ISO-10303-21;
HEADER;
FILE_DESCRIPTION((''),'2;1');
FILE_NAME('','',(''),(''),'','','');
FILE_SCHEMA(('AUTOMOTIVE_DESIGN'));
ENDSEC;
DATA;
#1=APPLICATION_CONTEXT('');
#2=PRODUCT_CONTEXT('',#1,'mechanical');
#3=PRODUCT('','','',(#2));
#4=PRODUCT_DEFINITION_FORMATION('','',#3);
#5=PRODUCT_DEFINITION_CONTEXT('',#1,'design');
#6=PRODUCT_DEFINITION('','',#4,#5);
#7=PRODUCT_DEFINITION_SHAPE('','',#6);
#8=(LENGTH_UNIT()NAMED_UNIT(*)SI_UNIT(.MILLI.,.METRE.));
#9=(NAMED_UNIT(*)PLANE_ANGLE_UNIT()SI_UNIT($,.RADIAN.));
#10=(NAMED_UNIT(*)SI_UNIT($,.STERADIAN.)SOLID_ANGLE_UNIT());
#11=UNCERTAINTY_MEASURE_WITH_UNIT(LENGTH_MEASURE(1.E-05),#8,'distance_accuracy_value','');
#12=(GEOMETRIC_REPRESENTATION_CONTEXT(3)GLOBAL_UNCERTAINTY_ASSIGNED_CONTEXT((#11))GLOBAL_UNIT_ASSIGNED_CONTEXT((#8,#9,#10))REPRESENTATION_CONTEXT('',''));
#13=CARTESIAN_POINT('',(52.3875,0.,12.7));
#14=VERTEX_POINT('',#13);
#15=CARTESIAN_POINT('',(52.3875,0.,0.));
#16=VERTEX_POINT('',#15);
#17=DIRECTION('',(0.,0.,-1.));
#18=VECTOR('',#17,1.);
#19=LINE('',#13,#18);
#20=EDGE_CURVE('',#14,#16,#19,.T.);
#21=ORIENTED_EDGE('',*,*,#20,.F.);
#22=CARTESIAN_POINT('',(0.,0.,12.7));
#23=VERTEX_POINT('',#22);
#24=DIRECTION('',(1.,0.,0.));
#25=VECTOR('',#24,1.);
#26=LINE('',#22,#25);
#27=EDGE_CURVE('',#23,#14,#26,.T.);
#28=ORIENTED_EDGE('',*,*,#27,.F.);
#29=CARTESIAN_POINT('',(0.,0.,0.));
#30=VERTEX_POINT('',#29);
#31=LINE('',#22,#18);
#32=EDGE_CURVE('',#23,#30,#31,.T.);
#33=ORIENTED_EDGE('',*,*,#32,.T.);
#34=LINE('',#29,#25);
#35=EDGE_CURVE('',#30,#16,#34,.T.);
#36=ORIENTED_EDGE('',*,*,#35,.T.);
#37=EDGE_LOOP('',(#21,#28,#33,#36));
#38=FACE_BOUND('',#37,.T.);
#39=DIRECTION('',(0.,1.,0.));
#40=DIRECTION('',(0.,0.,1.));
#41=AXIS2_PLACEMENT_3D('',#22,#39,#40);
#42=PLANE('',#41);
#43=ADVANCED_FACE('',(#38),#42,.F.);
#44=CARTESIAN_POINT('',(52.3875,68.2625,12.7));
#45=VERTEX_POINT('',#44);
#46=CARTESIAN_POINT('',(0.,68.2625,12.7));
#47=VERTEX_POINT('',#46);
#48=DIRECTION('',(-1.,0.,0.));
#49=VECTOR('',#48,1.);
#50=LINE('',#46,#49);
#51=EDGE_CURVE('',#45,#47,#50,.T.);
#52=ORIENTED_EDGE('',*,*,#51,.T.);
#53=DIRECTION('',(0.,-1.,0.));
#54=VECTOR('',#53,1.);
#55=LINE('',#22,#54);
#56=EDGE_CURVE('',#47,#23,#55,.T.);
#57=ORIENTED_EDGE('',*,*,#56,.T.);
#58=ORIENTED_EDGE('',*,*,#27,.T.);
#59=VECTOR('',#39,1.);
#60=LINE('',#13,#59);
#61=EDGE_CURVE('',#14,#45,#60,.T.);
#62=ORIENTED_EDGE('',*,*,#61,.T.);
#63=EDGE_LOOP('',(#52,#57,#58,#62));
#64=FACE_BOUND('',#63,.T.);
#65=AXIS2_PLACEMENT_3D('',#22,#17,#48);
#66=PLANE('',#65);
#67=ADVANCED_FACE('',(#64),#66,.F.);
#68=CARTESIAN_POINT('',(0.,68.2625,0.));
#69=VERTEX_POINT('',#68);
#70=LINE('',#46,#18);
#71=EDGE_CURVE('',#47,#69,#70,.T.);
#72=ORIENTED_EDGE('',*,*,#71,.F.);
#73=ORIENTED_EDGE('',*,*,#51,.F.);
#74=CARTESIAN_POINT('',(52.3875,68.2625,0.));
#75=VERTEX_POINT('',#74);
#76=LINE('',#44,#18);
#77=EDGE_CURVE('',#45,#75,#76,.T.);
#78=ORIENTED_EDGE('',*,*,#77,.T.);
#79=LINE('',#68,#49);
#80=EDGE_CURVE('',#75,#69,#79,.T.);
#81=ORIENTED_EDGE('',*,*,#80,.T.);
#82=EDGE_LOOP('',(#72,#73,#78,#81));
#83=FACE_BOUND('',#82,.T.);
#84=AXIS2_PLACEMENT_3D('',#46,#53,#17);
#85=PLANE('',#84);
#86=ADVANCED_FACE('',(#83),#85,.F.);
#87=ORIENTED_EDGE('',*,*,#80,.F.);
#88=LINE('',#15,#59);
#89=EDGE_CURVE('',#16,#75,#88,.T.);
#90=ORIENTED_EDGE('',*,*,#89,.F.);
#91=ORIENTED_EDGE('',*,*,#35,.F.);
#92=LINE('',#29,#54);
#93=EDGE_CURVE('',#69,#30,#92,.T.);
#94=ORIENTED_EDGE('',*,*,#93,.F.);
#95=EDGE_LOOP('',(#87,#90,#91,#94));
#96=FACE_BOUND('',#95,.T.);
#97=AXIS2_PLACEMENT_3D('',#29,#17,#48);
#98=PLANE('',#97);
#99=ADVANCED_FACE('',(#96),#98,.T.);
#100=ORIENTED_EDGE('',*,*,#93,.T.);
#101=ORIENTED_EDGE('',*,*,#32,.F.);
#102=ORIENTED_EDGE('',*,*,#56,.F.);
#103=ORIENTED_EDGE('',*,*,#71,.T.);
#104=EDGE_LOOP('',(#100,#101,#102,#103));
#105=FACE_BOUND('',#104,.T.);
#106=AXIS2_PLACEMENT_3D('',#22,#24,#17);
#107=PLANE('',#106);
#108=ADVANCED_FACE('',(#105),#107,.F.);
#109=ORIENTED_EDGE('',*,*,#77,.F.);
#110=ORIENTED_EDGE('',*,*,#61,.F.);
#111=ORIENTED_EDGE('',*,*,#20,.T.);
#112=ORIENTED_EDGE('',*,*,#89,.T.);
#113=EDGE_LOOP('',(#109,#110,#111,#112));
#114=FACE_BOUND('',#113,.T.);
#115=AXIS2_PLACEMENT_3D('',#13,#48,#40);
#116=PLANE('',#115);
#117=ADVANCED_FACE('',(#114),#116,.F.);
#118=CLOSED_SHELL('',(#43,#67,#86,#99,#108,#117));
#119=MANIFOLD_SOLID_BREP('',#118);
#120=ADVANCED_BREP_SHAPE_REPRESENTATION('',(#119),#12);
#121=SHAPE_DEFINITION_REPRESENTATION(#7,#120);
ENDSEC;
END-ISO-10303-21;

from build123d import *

# Parameters (mm, degrees)
SKETCH1_W           = 52.3875
SKETCH1_H           = 68.2625
BOSS_EXTRUDE1_DEPTH = 12.7


with BuildPart() as part:
    # Sketch1 → Boss-Extrude1 (new body)
    with BuildSketch(Plane.XY):
        with Locations((26.19375, 34.13125)):
            Rectangle(SKETCH1_W, SKETCH1_H)
    extrude(amount=BOSS_EXTRUDE1_DEPTH)


solid = part.part
